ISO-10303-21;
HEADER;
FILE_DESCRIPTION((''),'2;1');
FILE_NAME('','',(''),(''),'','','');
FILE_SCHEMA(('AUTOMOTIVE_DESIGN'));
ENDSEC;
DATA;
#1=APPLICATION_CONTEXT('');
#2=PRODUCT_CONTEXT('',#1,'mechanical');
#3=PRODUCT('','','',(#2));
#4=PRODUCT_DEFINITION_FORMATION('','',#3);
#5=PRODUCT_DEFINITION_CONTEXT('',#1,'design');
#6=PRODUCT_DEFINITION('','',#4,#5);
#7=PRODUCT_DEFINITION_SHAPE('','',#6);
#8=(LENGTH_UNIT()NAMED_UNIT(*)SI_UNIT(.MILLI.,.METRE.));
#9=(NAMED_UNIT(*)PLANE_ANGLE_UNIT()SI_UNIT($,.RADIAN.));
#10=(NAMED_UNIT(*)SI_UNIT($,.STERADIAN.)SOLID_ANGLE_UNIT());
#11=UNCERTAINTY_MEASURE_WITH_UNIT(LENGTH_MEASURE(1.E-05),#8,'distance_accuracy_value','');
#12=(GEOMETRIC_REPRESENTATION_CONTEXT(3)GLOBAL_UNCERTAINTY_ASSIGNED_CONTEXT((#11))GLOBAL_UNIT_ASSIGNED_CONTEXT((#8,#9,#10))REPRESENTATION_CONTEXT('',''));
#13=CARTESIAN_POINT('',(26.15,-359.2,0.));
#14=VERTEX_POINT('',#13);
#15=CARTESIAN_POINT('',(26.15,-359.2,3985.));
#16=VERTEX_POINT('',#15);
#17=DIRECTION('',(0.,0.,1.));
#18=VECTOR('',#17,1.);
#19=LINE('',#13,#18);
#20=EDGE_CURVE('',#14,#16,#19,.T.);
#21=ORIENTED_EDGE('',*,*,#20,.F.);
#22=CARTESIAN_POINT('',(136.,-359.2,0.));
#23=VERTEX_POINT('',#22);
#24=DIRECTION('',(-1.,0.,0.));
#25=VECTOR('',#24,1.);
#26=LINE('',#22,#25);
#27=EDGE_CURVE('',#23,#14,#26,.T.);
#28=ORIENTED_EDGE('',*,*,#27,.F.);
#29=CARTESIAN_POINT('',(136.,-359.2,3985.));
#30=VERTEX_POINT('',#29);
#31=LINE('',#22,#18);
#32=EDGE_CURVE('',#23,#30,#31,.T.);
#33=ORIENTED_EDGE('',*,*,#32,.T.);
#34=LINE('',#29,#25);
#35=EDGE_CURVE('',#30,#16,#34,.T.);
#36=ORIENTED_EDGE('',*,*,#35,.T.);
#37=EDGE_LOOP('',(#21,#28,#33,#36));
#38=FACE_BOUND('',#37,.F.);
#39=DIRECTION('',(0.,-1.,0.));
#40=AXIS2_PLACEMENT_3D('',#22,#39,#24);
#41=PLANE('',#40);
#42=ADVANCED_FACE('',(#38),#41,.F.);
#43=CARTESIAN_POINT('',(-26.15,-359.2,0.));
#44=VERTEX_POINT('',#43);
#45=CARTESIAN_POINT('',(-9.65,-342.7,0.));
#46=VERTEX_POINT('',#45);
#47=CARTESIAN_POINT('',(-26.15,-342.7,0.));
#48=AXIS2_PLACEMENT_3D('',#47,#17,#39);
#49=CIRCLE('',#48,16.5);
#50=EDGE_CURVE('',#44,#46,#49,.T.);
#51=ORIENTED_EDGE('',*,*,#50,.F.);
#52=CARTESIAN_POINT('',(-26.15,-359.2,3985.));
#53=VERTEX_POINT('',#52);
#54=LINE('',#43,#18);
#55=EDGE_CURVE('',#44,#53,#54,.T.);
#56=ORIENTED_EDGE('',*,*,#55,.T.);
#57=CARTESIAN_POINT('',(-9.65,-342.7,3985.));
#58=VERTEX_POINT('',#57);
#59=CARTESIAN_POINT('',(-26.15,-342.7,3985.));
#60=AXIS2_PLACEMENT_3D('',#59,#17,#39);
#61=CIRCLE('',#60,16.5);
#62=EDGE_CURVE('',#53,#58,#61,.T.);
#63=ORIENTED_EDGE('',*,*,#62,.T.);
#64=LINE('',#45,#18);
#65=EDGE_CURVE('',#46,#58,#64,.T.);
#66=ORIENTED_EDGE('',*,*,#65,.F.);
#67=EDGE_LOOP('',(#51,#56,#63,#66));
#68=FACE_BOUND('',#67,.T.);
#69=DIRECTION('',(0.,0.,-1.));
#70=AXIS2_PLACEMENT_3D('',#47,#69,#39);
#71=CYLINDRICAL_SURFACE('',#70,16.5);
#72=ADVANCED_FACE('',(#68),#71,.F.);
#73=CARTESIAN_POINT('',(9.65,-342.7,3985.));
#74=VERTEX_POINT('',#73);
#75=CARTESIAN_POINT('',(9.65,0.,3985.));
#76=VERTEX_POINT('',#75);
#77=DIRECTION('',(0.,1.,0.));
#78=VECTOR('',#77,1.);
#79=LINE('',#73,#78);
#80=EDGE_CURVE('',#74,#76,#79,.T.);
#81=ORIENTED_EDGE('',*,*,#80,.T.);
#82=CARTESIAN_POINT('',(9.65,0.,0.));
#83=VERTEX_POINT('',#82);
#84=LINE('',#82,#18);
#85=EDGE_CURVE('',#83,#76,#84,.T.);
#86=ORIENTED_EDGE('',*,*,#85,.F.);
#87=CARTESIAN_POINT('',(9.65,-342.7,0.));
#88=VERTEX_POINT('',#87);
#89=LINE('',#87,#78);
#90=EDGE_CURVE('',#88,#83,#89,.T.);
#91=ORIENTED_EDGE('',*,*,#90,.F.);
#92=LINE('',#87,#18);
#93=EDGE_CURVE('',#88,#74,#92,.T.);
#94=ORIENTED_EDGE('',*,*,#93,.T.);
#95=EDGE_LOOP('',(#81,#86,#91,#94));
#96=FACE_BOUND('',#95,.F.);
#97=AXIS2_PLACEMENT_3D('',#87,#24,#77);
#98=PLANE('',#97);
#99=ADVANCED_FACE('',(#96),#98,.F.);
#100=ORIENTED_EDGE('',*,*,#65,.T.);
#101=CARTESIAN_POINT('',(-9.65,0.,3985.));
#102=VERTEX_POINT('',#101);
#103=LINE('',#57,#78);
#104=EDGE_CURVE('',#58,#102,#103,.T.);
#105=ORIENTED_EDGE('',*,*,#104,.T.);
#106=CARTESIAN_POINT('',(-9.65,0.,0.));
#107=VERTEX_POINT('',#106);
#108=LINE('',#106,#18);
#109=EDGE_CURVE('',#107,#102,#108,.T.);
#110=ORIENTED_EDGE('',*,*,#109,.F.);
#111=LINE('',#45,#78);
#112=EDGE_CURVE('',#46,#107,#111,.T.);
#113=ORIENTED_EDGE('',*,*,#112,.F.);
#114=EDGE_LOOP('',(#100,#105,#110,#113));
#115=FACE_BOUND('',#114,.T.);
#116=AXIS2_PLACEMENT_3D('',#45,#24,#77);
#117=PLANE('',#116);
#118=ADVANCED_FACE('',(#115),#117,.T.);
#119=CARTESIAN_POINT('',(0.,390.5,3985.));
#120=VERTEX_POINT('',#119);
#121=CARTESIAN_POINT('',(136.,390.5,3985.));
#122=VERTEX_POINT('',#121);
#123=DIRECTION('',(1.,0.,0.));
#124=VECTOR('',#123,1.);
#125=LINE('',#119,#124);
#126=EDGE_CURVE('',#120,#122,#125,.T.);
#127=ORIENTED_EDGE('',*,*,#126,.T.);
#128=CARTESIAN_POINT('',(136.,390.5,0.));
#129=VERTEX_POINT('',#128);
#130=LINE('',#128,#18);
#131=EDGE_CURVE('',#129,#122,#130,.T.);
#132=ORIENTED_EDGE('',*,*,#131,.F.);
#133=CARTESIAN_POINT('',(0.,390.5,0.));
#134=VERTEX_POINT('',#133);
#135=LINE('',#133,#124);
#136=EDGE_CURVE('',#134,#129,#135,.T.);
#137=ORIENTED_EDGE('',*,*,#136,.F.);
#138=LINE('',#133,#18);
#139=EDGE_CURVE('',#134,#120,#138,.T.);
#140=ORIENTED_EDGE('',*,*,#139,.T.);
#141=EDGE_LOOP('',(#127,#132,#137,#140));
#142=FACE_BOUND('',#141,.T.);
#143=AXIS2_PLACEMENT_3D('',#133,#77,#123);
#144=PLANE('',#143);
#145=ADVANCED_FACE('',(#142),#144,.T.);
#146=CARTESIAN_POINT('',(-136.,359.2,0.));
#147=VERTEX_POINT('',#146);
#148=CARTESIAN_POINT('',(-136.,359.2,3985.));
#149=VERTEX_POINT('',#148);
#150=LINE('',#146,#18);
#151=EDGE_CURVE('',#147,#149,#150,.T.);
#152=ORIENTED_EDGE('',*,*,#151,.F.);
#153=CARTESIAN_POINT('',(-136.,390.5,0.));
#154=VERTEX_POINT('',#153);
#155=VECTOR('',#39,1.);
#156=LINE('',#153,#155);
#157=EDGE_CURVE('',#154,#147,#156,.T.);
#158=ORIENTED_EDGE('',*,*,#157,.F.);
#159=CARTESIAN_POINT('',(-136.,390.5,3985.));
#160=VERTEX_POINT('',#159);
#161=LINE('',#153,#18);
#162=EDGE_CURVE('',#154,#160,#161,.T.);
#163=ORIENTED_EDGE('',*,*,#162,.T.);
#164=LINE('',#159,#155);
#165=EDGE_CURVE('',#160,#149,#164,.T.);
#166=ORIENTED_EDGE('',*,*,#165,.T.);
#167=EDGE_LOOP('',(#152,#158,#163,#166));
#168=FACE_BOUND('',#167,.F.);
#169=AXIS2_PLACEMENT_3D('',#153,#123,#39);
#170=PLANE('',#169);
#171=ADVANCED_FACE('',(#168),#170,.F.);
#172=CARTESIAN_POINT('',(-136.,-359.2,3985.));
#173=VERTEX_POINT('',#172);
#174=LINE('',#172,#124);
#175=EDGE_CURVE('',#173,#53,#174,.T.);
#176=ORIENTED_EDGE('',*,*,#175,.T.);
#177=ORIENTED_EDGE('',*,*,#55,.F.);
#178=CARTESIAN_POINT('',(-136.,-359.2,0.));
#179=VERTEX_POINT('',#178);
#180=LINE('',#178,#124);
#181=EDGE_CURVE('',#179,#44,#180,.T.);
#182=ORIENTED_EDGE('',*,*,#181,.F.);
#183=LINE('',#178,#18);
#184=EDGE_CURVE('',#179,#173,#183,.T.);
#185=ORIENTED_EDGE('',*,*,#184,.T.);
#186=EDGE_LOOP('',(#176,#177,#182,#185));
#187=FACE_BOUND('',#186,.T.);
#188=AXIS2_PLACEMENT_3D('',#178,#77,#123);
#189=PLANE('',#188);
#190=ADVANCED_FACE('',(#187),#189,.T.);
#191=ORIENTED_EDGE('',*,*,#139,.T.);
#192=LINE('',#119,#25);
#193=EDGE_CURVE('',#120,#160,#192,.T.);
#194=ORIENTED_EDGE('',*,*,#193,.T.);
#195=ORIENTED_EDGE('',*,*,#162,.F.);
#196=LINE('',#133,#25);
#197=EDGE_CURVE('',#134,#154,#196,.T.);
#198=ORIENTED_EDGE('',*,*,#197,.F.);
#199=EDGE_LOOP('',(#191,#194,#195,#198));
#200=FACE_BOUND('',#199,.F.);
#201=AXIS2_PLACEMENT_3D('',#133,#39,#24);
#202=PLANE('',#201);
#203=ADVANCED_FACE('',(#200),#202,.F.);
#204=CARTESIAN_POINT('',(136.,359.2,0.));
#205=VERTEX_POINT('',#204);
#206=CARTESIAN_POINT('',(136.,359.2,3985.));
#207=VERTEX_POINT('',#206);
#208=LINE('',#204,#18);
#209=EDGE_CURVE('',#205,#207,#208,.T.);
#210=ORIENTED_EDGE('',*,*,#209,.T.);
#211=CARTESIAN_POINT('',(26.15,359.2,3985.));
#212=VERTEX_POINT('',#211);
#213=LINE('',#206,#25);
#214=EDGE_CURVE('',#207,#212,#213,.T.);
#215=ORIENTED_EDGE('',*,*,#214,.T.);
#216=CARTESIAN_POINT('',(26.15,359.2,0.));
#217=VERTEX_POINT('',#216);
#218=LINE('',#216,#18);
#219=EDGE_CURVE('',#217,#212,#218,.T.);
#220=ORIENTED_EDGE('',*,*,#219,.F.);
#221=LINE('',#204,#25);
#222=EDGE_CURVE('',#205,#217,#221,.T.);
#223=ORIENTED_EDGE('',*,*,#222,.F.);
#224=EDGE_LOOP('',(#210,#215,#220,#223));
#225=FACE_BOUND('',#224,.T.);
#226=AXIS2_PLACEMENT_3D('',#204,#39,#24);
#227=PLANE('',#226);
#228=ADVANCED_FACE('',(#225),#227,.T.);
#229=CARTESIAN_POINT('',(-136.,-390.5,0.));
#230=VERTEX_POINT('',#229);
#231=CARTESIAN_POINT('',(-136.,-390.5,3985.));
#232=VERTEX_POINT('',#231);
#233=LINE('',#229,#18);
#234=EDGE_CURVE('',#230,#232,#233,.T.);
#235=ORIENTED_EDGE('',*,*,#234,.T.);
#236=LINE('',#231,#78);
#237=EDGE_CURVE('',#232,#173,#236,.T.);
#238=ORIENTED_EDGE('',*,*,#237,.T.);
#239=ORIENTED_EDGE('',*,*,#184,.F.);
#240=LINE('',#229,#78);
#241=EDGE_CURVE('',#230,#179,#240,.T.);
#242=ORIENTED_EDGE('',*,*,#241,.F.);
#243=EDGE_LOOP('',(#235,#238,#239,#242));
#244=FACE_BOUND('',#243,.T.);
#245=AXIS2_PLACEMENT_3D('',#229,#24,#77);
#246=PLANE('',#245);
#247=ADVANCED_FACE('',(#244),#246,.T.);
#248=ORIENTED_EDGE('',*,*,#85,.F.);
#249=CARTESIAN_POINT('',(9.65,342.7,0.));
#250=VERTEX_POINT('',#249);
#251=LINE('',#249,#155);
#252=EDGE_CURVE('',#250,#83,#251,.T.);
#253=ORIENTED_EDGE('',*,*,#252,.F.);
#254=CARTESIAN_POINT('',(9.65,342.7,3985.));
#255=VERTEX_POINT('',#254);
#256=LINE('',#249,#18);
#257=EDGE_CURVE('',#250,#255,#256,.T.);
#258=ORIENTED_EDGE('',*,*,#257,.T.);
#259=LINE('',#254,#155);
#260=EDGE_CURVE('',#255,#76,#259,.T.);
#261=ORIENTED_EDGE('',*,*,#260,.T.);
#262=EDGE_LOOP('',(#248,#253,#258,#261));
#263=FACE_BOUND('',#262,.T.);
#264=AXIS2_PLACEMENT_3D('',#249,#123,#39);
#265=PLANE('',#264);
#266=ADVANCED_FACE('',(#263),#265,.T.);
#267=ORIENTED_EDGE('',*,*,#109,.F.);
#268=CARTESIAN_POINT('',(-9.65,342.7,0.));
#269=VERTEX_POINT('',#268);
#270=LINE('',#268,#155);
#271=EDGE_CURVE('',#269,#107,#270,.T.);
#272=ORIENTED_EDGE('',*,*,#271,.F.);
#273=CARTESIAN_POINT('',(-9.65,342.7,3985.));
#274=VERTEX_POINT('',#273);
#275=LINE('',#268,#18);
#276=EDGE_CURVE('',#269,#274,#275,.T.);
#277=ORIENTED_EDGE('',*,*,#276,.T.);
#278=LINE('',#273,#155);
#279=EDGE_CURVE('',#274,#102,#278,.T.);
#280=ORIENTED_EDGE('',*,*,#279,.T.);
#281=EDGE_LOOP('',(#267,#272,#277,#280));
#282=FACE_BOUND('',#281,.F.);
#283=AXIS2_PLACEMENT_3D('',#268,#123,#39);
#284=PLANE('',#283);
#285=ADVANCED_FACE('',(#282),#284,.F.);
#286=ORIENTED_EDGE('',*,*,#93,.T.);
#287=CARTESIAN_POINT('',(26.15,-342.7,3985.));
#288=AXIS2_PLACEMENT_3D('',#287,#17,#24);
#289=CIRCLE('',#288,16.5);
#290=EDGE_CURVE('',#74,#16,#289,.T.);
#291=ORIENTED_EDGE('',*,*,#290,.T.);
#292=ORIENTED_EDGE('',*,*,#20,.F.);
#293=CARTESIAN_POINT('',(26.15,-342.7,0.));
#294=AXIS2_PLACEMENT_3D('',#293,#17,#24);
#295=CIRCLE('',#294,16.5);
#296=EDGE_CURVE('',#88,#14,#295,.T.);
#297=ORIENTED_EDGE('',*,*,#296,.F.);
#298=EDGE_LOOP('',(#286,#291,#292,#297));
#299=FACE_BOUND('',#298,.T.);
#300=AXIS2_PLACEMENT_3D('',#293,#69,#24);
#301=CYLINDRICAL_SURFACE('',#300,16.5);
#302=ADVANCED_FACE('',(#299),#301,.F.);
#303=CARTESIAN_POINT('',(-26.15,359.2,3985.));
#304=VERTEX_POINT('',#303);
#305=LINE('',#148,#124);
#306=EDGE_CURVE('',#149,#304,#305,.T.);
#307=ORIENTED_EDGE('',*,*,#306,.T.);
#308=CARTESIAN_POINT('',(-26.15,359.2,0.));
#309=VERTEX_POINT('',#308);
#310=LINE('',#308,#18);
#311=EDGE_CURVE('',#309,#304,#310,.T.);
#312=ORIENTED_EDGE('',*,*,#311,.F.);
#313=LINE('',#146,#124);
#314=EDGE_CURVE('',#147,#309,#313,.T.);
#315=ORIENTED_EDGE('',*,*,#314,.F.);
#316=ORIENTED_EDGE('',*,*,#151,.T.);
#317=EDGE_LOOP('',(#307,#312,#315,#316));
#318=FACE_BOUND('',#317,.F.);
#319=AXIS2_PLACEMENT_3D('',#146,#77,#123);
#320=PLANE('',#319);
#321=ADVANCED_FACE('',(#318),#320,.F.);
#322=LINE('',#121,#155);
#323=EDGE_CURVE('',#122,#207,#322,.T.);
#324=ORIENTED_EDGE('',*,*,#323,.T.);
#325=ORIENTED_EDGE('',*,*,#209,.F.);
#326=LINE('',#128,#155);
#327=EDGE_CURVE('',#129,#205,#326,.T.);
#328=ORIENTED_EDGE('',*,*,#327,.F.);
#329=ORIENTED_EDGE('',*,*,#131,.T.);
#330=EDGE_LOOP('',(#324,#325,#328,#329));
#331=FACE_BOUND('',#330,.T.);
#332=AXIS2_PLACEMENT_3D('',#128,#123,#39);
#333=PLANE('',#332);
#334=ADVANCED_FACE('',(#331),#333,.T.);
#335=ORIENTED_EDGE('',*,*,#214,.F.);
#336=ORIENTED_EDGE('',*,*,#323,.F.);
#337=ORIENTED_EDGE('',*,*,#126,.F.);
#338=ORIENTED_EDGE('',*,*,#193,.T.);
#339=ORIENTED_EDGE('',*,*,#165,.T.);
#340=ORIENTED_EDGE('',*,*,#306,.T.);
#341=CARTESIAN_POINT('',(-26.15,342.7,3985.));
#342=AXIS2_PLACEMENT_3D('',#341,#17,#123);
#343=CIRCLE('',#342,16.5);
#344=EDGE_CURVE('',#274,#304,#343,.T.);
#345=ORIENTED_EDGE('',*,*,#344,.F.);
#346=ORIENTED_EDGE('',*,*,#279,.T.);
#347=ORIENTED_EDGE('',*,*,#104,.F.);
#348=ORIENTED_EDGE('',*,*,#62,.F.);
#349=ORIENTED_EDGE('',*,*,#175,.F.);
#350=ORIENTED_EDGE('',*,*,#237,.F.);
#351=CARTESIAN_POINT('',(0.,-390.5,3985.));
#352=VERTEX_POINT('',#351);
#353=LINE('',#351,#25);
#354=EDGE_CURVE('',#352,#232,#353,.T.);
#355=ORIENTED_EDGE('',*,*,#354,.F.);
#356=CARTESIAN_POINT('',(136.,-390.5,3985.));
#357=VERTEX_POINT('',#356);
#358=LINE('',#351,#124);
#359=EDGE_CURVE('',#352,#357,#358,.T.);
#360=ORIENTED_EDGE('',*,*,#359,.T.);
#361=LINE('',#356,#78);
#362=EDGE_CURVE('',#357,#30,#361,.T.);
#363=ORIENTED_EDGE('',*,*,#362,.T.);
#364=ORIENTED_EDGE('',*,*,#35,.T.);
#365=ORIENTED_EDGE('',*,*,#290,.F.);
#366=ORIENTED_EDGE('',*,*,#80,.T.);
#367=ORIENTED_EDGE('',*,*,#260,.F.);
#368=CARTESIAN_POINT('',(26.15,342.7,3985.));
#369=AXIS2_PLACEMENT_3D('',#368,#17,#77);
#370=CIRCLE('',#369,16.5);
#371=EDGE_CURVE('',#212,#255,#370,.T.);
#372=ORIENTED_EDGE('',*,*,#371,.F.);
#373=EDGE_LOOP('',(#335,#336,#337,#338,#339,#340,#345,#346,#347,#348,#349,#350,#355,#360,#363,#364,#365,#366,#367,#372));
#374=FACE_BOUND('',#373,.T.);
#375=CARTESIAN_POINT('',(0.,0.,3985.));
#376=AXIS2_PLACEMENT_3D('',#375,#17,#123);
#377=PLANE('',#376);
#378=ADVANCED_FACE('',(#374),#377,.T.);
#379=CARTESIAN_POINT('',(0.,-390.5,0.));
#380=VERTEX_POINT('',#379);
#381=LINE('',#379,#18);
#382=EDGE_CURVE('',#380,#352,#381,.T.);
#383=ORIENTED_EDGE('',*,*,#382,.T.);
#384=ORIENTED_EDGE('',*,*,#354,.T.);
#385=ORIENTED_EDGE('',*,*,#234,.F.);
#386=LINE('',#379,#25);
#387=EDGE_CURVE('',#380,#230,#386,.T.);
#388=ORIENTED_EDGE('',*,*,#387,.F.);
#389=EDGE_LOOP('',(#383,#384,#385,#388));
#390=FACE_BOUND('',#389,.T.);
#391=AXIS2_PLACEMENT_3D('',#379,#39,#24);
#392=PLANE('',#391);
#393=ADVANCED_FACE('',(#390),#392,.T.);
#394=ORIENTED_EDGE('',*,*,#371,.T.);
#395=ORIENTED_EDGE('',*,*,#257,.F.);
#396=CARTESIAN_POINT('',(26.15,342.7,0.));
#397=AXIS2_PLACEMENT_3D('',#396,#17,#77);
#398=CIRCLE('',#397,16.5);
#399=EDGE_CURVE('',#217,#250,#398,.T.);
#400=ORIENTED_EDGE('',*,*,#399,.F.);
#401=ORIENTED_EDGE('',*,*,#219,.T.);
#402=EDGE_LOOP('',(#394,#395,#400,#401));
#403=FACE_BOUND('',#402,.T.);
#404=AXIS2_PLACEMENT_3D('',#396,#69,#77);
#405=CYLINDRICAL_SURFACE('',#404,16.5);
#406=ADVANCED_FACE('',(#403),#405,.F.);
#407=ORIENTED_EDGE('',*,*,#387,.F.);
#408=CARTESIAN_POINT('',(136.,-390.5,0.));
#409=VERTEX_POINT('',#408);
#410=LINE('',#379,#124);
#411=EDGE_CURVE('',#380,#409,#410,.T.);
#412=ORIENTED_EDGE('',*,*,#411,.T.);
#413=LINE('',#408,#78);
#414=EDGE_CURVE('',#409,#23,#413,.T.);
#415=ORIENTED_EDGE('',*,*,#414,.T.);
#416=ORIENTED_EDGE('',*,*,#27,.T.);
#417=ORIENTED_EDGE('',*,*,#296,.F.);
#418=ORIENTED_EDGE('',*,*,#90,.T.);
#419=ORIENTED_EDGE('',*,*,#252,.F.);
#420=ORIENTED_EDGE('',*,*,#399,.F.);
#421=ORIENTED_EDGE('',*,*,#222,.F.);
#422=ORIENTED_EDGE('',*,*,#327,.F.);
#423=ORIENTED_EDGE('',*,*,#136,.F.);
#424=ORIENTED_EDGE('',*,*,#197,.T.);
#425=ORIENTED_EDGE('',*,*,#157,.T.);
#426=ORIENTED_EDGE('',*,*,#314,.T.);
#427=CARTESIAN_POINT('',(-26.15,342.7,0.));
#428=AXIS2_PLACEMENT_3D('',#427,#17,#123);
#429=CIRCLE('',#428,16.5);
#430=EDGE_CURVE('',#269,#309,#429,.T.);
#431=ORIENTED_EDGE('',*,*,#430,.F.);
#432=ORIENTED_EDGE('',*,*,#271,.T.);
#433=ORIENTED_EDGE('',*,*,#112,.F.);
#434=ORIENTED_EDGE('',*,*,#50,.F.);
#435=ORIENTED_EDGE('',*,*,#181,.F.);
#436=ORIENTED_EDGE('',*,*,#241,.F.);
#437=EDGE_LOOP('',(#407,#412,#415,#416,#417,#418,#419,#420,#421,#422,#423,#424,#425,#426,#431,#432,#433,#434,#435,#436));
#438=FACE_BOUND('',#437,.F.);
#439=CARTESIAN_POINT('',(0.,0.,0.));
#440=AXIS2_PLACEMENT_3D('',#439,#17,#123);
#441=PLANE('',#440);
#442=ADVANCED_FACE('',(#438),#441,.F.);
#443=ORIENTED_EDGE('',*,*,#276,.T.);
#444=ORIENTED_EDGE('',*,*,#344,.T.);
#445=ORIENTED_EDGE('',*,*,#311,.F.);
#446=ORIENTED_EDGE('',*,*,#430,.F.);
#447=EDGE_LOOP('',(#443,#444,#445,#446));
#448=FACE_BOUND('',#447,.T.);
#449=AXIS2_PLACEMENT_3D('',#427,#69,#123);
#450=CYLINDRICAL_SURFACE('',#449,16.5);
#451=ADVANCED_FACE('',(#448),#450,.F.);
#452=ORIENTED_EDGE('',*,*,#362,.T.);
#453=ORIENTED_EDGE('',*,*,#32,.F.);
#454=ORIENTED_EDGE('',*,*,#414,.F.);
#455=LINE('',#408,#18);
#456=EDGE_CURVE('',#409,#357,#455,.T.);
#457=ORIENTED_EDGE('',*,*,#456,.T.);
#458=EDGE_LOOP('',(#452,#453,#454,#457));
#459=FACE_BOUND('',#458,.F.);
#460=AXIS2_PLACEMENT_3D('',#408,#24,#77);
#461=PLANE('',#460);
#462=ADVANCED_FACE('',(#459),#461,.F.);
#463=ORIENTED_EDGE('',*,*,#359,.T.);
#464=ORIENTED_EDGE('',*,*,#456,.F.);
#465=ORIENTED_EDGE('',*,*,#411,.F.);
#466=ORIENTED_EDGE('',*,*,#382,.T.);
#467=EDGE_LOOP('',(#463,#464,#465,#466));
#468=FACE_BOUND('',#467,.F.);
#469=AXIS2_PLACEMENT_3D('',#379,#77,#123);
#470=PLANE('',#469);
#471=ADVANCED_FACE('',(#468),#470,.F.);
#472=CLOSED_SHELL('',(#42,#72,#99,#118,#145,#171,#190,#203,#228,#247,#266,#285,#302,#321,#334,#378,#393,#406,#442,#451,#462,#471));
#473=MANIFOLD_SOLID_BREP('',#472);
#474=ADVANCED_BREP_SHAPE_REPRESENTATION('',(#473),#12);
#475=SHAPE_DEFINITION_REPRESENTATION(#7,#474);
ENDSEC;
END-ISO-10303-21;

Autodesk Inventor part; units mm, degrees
ref_plane "YZ Plane" through (0, 0, 0) normal (1, 0, 0) x (0, 1, 0)
ref_plane "Start plane" through (0, 0, 0) normal (0, 0, 1) x (1, 0, 0)
ref_plane "End plane" through (0, 0, 3985) normal (0, 0, 1) x (1, 0, 0)
sketch "Sketch" plane through (0, 0, 0) normal (0, 0, 1) x (1, 0, 0)
  line L0 (-136, -390.5) -> (-136, -359.2)
  line L1 (-136, -359.2) -> (-26.15, -359.2)
  line L2 (-9.65, -342.7) -> (-9.65, 0)
  line L3 (-9.65, 0) -> (0, 0) construction
  line L4 (0, 0) -> (0, -390.5) construction
  line L5 (0, -390.5) -> (-136, -390.5)
  line L6 (-60, 0) -> (80, 0) construction
  line L7 (0, -60) -> (0, 80) construction
  line L8 (136, -390.5) -> (136, -359.2)
  line L9 (136, -359.2) -> (26.15, -359.2)
  line L10 (9.65, -342.7) -> (9.65, 0)
  line L11 (9.65, 0) -> (0, 0) construction
  line L12 (0, -390.5) -> (136, -390.5)
  line L13 (-136, 390.5) -> (-136, 359.2)
  line L14 (-136, 359.2) -> (-26.15, 359.2)
  line L15 (-9.65, 342.7) -> (-9.65, 0)
  line L16 (0, 390.5) -> (-136, 390.5)
  line L17 (136, 390.5) -> (136, 359.2)
  line L18 (136, 359.2) -> (26.15, 359.2)
  line L19 (0, 390.5) -> (136, 390.5)
  line L20 (9.65, 342.7) -> (9.65, 0)
  arc A0 (-9.65, 342.7) -> (-26.15, 359.2) centre (-26.15, 342.7) ccw
  arc A1 (26.15, 359.2) -> (9.65, 342.7) centre (26.15, 342.7) ccw
  arc A2 (9.65, -342.7) -> (26.15, -359.2) centre (26.15, -342.7) ccw
  arc A3 (-26.15, -359.2) -> (-9.65, -342.7) centre (-26.15, -342.7) ccw
  line L21 (0, 108) -> (0, -88) construction
  line L22 (-88, 0) -> (108, 0) construction
  point P0 (-9.65, -359.2)
  point P1 (9.65, -359.2)
  point P2 (-9.65, 359.2)
  point P3 (9.65, 359.2)
  dimension "d1" = 390.5
  dimension "d2" = 31.3
  dimension "d3" = 136
  dimension "d4" = 9.65
  dimension "d10" = 16.5
extrude "Body" add sketch "Sketch" along normal up to surface (3985 mm away) from surface at 0
sketch "Sketch4" plane through (0, 0, 0) normal (0, 0, 1) x (1, 0, 0)
  line L0 (0, 0) -> (10, 0)
ref_plane "Work Plane3" through (0, 0, 0) normal (0, -1, 0) x (1, 0, 0)
sketch "Sketch5" plane through (0, 0, 0) normal (0, -1, 0) x (1, 0, 0)
  line L0 (-2, 0) -> (12, 0) projected
  line L1 (-2, 3985) -> (12, 3985) projected
  dimension "d14" = 3985
equation "\"d1\" = 0.5 * G_H"
equation "\"d2\" = G_T1"
equation "\"d3\" = 0.5 * G_W"
equation "\"d4\" = 0.5 * G_T"
equation "\"d10\" = G_IR"
equation "\"d5\" = G_L"
equation "\"G_W\" = 272"
equation "\"G_H\" = 781"
equation "\"G_T\" = 19.3"
equation "\"G_T1\" = 31.3"
equation "\"G_IR\" = 16.5"
equation "\"G_L\" = d14"
equation "\"G_OFFSET_START\" = 0"
equation "\"G_OFFSET_END\" = 0"
equation "\"d12\" = G_OFFSET_END + B_L"
equation "\"B_L\" = 3985"
properties part number "AS 3679-1990 - 760 UB - 244 - 3985" material "Steel, Mild"
